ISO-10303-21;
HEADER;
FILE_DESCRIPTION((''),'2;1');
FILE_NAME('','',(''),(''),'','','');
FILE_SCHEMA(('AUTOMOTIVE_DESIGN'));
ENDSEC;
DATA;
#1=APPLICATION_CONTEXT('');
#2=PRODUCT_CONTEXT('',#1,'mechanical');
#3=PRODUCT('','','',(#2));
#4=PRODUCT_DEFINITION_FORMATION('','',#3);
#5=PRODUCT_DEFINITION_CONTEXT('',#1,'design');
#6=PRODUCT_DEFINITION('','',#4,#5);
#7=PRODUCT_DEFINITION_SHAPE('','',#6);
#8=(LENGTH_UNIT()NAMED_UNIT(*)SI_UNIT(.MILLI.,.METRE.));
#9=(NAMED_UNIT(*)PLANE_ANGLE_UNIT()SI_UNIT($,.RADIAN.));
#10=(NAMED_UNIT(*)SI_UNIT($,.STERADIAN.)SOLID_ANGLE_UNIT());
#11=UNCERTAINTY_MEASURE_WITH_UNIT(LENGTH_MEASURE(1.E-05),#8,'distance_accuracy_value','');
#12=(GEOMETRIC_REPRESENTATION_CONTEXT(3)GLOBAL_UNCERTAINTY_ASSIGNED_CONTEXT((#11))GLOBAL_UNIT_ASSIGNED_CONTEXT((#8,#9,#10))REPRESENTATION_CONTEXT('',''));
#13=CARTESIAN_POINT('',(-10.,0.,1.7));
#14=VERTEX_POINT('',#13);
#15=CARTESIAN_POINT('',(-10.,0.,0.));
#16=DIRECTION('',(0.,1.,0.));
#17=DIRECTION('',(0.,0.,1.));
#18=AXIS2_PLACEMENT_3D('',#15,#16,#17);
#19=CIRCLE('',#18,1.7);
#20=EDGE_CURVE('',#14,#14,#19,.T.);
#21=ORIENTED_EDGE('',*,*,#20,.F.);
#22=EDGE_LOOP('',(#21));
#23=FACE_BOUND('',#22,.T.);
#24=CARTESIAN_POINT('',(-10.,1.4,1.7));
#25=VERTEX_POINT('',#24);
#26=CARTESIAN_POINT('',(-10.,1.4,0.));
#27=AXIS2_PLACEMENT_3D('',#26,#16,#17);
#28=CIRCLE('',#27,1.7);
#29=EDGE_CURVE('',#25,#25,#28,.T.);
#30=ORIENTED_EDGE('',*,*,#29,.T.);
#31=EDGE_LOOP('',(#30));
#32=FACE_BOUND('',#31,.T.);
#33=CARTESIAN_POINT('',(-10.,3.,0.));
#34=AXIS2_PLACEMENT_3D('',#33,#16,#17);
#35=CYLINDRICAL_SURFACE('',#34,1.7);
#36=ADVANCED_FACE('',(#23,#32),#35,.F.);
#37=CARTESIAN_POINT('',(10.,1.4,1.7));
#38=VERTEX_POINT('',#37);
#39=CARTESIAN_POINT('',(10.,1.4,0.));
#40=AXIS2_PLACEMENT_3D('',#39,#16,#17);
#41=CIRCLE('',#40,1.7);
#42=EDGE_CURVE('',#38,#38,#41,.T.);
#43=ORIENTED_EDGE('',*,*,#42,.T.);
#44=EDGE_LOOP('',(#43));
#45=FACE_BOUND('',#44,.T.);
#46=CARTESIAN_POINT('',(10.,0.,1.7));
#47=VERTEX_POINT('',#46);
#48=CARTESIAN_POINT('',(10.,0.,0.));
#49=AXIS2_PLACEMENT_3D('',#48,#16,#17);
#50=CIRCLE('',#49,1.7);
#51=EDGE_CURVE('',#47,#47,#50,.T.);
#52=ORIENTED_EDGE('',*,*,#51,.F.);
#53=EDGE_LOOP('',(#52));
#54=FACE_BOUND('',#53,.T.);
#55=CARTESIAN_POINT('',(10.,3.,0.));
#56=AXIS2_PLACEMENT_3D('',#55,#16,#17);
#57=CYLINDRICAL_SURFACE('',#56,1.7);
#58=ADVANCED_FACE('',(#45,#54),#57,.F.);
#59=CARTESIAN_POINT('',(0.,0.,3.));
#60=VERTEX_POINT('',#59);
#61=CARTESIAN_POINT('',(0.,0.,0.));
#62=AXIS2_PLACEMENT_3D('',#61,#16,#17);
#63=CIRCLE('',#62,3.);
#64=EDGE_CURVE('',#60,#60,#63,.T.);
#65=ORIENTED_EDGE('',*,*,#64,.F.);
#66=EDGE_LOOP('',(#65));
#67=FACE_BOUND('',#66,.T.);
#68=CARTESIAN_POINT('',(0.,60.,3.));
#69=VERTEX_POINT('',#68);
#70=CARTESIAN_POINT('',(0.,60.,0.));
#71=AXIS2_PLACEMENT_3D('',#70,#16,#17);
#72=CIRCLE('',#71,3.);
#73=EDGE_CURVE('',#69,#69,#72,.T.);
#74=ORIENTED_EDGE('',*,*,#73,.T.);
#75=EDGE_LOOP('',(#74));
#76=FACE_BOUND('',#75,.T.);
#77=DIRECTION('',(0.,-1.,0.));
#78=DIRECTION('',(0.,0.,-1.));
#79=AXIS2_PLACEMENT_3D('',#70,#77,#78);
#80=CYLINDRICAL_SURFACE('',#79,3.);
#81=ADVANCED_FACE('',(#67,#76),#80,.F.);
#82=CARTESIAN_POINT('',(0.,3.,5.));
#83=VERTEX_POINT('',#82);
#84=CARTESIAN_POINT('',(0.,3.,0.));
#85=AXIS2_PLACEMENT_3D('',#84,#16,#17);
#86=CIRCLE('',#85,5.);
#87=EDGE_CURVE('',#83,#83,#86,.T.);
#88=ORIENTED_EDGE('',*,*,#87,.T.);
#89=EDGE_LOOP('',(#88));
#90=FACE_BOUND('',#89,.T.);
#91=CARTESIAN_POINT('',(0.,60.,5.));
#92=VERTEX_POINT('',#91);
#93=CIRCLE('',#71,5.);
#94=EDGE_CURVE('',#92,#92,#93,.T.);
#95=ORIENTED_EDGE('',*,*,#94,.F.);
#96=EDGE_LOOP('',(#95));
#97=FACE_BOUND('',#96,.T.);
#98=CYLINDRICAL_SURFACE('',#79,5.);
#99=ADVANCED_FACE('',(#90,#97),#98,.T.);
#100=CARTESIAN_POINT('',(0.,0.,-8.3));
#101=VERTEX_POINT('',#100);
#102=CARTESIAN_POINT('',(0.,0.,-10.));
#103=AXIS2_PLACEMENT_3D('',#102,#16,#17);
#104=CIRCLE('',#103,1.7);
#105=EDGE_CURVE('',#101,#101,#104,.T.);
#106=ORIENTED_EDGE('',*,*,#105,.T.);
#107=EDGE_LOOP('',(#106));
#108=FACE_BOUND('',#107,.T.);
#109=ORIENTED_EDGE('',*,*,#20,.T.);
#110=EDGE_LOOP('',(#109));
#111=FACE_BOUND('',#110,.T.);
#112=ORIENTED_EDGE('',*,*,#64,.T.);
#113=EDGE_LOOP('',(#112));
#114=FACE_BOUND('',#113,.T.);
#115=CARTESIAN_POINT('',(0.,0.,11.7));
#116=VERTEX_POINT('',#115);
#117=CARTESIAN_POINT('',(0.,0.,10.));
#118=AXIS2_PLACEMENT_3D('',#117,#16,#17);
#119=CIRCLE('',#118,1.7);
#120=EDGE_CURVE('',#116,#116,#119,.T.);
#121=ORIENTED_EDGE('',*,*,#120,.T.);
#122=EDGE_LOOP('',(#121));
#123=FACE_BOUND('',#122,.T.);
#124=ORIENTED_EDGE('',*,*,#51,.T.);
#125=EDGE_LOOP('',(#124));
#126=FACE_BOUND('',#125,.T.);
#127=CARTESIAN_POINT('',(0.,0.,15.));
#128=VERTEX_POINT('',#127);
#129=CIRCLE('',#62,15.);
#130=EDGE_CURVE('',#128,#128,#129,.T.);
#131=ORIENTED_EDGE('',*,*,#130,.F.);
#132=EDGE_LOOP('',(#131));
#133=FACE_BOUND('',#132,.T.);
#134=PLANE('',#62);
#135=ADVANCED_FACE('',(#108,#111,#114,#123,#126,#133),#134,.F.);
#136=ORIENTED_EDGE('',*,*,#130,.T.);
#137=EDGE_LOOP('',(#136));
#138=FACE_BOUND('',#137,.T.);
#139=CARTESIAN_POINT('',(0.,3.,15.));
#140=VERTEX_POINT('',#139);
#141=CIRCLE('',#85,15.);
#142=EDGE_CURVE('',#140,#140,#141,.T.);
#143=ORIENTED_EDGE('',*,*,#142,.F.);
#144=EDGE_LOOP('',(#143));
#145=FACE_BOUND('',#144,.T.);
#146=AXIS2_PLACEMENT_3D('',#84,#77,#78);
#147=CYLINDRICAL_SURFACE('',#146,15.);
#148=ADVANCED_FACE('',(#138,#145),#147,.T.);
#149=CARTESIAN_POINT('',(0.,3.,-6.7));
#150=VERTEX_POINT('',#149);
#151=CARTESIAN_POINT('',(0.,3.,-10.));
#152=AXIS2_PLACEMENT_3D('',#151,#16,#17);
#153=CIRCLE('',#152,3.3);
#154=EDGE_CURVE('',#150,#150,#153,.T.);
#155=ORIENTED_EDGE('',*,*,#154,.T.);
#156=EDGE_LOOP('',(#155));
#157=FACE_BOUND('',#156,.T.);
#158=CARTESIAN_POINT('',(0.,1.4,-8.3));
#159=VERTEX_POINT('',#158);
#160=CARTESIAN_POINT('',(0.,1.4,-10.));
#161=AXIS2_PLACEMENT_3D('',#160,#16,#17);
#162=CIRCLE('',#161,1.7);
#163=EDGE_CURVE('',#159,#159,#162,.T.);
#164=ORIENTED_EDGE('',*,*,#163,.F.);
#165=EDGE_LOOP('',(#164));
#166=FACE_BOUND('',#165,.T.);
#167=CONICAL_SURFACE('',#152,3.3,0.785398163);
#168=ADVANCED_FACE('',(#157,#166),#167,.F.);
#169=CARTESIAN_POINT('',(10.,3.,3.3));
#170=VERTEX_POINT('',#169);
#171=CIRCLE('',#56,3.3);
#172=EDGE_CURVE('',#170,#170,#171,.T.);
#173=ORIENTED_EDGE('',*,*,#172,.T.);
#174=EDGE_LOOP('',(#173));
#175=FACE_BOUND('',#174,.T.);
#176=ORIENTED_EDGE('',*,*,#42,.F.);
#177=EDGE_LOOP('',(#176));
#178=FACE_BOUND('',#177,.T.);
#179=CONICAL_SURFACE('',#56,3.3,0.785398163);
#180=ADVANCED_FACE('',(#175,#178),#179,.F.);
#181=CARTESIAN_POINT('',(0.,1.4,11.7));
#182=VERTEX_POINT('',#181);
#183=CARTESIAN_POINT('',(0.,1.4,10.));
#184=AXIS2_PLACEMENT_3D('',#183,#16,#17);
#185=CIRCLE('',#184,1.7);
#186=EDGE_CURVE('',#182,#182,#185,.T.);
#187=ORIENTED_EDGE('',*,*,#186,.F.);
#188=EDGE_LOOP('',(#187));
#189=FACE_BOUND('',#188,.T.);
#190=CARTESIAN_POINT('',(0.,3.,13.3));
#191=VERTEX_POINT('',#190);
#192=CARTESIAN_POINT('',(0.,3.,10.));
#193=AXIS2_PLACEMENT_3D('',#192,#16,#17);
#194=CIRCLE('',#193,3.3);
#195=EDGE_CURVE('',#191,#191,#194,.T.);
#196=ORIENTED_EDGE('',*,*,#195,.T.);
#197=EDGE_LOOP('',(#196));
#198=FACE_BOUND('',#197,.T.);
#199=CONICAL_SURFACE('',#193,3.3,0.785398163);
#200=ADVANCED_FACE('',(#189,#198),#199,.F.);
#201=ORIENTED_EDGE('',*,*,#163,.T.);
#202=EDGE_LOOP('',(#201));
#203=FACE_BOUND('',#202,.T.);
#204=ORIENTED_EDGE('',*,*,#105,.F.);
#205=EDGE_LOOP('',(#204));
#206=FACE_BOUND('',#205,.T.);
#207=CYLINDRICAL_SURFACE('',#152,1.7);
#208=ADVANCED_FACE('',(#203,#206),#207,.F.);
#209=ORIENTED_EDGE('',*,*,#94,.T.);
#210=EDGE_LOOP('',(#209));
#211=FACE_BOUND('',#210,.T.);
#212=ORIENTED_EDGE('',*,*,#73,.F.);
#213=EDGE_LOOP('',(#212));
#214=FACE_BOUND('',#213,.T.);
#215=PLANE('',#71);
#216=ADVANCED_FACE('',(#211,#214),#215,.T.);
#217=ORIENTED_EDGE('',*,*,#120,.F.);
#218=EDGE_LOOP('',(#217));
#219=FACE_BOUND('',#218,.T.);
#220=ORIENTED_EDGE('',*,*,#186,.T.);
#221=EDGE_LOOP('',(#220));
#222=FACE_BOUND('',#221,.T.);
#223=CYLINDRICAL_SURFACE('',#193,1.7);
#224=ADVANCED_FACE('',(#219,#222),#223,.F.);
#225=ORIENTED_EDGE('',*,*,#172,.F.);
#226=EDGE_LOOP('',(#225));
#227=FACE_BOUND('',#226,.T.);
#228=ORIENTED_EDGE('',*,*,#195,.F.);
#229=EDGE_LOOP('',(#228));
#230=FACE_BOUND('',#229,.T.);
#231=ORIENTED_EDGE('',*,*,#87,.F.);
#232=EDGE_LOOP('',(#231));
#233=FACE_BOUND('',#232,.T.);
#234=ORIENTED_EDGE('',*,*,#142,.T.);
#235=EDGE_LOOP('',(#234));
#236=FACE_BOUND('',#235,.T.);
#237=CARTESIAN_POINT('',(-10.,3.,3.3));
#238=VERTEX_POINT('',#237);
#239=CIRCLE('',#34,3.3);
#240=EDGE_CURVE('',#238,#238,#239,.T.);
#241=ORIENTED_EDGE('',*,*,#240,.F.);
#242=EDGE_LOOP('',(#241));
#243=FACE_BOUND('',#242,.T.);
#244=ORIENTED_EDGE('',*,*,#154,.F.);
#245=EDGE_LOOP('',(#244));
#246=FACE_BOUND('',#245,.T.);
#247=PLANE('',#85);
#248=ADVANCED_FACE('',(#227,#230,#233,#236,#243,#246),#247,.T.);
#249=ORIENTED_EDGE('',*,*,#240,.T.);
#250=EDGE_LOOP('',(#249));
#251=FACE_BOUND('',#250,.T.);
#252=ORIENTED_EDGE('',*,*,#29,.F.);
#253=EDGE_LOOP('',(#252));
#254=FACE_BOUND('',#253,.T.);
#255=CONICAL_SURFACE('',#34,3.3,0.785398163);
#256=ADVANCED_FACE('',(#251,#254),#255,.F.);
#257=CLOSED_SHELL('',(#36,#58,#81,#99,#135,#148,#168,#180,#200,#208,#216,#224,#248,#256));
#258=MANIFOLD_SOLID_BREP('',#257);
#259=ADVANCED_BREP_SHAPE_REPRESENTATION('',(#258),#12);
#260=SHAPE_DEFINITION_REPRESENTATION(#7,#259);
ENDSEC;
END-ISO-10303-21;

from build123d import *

# Parameters (mm, degrees)
SKETCH_1_R               = 5
SKETCH_1_R_2             = 3
EXTRUDE_2_DEPTH          = 60
SKETCH_2_R               = 15
SKETCH_2_R_2             = 5
EXTRUDE_3_DEPTH          = 3
HOLE_WIZARD_1_AT_2_COUNT = 2
HOLE_WIZARD_1_AT_2_PITCH = 14.142135624
HOLE_WIZARD_1_AT_3_COUNT = 2
HOLE_WIZARD_1_AT_3_PITCH = 20
HOLE_WIZARD_1_AT_4_COUNT = 2
HOLE_WIZARD_1_AT_4_PITCH = 14.142135624


with BuildPart() as part:
    # 草图1 → 凸台-拉伸2 (new body)
    with BuildSketch(Plane(origin=(0, 0, 0), x_dir=(1, 0, 0), z_dir=(0, 1, 0))):
        with Locations(Location((0, 0, 0), (0, 0, 270))):
            Circle(SKETCH_1_R)
        with Locations(Location((0, 0, 0), (0, 0, 270))):
            Circle(SKETCH_1_R_2, mode=Mode.SUBTRACT)
    extrude(amount=EXTRUDE_2_DEPTH)

    # 草图2 → 凸台-拉伸3 (add)
    with BuildSketch(Plane(origin=(0, 0, 0), x_dir=(1, 0, 0), z_dir=(0, 1, 0))):
        with Locations(Location((0, 0, 0), (0, 0, 270))):
            Circle(SKETCH_2_R)
        with Locations(Location((0, 0, 0), (0, 0, 270))):
            Circle(SKETCH_2_R_2, mode=Mode.SUBTRACT)
    extrude(amount=EXTRUDE_3_DEPTH)

    # 草图4 → 打孔尺寸(%根据)开槽沉头木螺钉的类型1 (revolve, cut)
    with BuildSketch(Plane(origin=(-10, 3, 0), x_dir=(0, 0, 1), z_dir=(1, 0, 0))):
        Polygon((0, 0), (0, 3), (1.7, 3), (1.7, 1.6), (3.3, 0), align=None)
    hole_wizard_1 = revolve(axis=Axis((-10, 9.35, 0), (0, -1, 0)), mode=Mode.SUBTRACT)

    # 打孔尺寸(%根据)开槽沉头木螺钉的类型1 at 2: 打孔尺寸(%根据)开槽沉头木螺钉的类型1 ×2
    with Locations(*[Vector(0.7071067811865476, 0, 0.7071067811865476) * (i * HOLE_WIZARD_1_AT_2_PITCH) for i in range(1, HOLE_WIZARD_1_AT_2_COUNT)]):
        add(hole_wizard_1, mode=Mode.SUBTRACT)

    # 打孔尺寸(%根据)开槽沉头木螺钉的类型1 at 3: 打孔尺寸(%根据)开槽沉头木螺钉的类型1 ×2
    with Locations(*[(i * HOLE_WIZARD_1_AT_3_PITCH, 0, 0) for i in range(1, HOLE_WIZARD_1_AT_3_COUNT)]):
        add(hole_wizard_1, mode=Mode.SUBTRACT)

    # 打孔尺寸(%根据)开槽沉头木螺钉的类型1 at 4: 打孔尺寸(%根据)开槽沉头木螺钉的类型1 ×2
    with Locations(*[Vector(0.7071067811865476, 0, -0.7071067811865476) * (i * HOLE_WIZARD_1_AT_4_PITCH) for i in range(1, HOLE_WIZARD_1_AT_4_COUNT)]):
        add(hole_wizard_1, mode=Mode.SUBTRACT)


solid = part.part
